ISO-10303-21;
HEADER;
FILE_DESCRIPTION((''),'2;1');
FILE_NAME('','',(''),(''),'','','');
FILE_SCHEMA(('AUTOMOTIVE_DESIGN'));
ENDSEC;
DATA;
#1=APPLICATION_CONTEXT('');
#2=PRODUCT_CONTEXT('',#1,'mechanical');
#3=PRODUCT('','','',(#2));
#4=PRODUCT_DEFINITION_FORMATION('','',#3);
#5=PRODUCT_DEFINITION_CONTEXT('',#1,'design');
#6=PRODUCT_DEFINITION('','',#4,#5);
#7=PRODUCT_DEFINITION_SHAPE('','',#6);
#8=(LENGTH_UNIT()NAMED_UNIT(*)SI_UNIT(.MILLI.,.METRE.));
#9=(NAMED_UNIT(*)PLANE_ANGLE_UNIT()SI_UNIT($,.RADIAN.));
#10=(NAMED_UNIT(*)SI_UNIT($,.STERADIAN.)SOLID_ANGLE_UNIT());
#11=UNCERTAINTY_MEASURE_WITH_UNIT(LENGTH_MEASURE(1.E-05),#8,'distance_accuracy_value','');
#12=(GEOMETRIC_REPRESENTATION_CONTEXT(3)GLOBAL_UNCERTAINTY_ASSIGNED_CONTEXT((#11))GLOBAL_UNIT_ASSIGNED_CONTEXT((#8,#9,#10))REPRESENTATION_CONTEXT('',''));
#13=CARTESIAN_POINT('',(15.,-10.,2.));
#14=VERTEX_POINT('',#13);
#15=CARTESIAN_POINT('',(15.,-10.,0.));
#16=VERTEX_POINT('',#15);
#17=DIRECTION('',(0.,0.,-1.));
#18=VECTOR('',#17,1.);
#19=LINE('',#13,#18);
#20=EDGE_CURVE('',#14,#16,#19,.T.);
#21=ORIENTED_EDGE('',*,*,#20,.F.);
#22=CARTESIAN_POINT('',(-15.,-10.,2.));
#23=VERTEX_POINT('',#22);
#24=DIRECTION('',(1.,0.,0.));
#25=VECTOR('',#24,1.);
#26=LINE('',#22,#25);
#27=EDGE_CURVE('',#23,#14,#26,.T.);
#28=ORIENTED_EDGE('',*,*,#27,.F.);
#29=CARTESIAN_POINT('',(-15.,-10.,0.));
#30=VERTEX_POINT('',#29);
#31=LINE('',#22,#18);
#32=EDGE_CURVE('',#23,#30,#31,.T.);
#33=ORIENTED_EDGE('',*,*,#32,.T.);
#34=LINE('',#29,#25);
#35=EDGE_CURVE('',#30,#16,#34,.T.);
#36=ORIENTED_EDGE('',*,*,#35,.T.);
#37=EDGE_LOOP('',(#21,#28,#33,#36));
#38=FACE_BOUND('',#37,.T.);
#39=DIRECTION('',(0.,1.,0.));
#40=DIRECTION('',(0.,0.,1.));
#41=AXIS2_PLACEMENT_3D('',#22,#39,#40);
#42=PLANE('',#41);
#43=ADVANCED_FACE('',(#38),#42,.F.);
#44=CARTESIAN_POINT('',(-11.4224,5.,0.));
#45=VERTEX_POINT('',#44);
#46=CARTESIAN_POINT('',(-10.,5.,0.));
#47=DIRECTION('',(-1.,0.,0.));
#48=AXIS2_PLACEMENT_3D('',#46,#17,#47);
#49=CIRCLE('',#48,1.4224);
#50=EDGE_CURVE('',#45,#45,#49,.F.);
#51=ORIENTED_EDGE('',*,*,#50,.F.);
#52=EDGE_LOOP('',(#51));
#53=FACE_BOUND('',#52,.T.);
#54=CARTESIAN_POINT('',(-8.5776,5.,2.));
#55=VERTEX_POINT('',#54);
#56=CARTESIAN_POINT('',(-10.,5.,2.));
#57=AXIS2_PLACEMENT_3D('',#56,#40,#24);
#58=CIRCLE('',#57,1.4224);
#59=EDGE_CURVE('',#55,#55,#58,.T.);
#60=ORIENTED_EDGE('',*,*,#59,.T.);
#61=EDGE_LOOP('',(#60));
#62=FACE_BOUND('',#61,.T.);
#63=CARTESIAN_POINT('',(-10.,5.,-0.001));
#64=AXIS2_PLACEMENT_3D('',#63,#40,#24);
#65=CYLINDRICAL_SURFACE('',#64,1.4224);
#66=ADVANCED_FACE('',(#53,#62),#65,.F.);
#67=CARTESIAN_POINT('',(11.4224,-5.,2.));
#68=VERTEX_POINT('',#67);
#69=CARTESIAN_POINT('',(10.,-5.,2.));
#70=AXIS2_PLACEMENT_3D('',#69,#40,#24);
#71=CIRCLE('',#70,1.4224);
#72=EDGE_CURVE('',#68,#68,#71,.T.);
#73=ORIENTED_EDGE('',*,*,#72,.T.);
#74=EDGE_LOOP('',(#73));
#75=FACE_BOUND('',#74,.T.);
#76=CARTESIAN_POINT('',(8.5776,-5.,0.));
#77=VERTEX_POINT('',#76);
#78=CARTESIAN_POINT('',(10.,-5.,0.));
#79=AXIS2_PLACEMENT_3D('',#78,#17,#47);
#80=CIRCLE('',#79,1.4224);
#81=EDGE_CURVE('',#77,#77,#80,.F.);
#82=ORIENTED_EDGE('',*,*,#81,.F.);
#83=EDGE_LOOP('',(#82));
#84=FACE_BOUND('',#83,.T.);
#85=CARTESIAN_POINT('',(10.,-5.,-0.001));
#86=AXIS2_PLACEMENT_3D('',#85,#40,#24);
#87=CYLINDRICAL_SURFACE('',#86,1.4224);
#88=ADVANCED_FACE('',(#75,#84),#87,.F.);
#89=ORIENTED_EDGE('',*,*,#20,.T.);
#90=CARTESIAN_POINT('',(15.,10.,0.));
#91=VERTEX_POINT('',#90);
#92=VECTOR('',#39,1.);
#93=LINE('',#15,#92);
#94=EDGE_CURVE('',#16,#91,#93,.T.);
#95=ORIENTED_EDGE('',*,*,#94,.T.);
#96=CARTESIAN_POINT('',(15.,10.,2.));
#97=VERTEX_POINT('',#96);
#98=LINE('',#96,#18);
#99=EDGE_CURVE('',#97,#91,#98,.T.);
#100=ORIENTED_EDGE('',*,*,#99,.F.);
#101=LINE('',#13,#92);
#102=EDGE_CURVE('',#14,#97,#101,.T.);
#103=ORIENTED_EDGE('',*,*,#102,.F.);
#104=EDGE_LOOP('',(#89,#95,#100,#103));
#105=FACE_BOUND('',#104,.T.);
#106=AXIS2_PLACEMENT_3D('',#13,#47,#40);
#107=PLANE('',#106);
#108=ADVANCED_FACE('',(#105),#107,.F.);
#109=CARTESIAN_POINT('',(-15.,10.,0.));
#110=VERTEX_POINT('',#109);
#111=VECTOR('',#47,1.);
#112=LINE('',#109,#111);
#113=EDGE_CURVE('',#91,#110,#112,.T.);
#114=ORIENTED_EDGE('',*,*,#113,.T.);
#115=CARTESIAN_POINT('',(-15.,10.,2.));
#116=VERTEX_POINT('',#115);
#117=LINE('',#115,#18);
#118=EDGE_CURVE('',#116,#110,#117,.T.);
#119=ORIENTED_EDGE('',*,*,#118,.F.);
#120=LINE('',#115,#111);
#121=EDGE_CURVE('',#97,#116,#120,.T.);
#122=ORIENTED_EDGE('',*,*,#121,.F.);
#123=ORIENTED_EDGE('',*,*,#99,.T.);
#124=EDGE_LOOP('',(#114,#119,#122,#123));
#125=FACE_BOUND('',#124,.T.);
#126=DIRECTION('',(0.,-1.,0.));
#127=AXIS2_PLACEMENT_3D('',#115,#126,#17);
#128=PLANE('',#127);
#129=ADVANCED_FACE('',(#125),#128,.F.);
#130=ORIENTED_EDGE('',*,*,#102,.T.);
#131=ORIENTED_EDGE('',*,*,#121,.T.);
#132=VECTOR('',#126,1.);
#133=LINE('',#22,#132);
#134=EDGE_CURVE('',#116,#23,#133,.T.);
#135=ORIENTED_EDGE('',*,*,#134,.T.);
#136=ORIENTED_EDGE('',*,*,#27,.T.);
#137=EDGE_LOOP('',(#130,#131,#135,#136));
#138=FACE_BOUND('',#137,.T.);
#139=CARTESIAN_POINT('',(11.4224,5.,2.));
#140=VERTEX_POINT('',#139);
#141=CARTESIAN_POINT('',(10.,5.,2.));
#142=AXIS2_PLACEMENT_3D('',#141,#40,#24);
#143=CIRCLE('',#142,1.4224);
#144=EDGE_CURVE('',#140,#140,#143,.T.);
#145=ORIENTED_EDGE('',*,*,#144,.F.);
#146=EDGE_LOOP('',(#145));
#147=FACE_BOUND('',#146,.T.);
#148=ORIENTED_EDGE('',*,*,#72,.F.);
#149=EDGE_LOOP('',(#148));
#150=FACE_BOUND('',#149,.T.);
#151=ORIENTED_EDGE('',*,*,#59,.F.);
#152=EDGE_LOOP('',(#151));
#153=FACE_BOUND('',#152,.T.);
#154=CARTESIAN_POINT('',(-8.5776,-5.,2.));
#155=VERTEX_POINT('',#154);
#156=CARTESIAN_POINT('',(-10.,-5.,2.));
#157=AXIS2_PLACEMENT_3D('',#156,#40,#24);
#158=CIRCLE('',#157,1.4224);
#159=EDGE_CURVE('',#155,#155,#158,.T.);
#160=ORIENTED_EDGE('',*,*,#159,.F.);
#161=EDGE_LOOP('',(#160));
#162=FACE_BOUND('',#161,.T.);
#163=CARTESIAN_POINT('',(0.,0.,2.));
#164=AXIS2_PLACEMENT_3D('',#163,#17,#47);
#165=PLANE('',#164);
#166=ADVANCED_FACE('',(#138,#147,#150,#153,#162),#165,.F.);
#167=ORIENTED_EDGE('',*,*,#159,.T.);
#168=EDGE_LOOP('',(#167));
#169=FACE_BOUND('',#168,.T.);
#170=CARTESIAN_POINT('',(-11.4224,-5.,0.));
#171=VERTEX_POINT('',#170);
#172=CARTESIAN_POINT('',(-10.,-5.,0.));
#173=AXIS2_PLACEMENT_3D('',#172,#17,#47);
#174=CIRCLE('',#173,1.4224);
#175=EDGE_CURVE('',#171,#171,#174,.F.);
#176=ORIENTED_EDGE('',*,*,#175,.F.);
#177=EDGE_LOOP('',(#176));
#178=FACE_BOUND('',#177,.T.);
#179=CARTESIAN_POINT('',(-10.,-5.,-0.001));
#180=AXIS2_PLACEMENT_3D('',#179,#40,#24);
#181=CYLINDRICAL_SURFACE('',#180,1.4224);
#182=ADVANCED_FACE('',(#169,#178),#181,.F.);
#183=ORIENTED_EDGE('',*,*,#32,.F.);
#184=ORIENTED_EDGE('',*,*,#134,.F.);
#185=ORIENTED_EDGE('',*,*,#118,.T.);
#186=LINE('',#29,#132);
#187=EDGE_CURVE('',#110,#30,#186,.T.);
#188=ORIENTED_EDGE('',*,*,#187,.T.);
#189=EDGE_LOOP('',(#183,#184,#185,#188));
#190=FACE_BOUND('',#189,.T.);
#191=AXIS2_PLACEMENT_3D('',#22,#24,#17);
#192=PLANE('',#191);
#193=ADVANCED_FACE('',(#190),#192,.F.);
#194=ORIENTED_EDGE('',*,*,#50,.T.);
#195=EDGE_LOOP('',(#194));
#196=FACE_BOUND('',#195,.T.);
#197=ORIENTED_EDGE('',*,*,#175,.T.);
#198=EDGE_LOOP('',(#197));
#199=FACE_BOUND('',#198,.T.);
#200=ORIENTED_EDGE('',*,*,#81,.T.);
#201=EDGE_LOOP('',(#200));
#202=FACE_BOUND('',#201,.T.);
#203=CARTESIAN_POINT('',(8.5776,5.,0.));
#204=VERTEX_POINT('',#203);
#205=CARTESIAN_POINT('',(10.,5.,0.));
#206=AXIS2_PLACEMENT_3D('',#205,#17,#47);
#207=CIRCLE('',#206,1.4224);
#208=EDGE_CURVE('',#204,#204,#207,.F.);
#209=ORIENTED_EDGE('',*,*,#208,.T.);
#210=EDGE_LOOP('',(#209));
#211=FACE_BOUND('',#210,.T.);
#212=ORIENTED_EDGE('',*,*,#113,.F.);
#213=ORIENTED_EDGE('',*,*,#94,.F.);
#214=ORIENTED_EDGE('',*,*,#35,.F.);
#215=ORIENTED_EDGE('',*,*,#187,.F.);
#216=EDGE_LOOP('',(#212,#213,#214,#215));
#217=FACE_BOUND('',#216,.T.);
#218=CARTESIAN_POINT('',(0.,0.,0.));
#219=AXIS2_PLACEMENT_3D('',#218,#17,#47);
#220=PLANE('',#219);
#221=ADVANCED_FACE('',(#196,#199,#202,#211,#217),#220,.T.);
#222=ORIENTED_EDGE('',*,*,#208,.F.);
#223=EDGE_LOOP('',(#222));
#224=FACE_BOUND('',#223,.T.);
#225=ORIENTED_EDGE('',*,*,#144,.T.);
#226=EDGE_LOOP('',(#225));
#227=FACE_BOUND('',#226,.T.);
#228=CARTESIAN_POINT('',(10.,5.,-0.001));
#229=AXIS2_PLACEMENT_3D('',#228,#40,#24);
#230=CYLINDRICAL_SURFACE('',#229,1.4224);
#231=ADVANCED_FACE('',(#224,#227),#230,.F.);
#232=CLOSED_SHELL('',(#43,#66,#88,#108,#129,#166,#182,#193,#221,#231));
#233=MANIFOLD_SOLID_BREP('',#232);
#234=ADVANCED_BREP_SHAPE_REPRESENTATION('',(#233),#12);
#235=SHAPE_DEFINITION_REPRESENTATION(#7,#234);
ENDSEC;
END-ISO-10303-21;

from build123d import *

# Parameters (mm, degrees)
SKETCH1_W           = 30
SKETCH1_H           = 20
BOSS_EXTRUDE1_DEPTH = 2
CUT_EXTRUDE1_REACH  = 20.138
SKETCH2_R           = 1.4224


with BuildPart() as part:
    # Sketch1 → Boss-Extrude1 (new body)
    with BuildSketch(Plane.XY):
        Rectangle(SKETCH1_W, SKETCH1_H)
    extrude(amount=BOSS_EXTRUDE1_DEPTH)

    # Sketch2 → Cut-Extrude1 (cut, up to next)
    with BuildSketch(Plane.XY.offset(2), mode=Mode.PRIVATE) as cut_extrude1_sk1:
        with Locations((10, 5)):
            Circle(SKETCH2_R)
    cut_extrude1_tool1 = extrude(cut_extrude1_sk1.sketch, amount=-CUT_EXTRUDE1_REACH, mode=Mode.PRIVATE) & part.part
    # Sketch2 → Cut-Extrude1 (cut, up to next)
    with BuildSketch(Plane.XY.offset(2), mode=Mode.PRIVATE) as cut_extrude1_sk2:
        with Locations((-10, 5)):
            Circle(SKETCH2_R)
    cut_extrude1_tool2 = extrude(cut_extrude1_sk2.sketch, amount=-CUT_EXTRUDE1_REACH, mode=Mode.PRIVATE) & part.part
    # Sketch2 → Cut-Extrude1 (cut, up to next)
    with BuildSketch(Plane.XY.offset(2), mode=Mode.PRIVATE) as cut_extrude1_sk3:
        with Locations((-10, -5)):
            Circle(SKETCH2_R)
    cut_extrude1_tool3 = extrude(cut_extrude1_sk3.sketch, amount=-CUT_EXTRUDE1_REACH, mode=Mode.PRIVATE) & part.part
    # Sketch2 → Cut-Extrude1 (cut, up to next)
    with BuildSketch(Plane.XY.offset(2), mode=Mode.PRIVATE) as cut_extrude1_sk4:
        with Locations((10, -5)):
            Circle(SKETCH2_R)
    cut_extrude1_tool4 = extrude(cut_extrude1_sk4.sketch, amount=-CUT_EXTRUDE1_REACH, mode=Mode.PRIVATE) & part.part
    add(cut_extrude1_tool1.solids().sort_by_distance((10, 5, 2))[0], mode=Mode.SUBTRACT)
    add(cut_extrude1_tool2.solids().sort_by_distance((-10, 5, 2))[0], mode=Mode.SUBTRACT)
    add(cut_extrude1_tool3.solids().sort_by_distance((-10, -5, 2))[0], mode=Mode.SUBTRACT)
    add(cut_extrude1_tool4.solids().sort_by_distance((10, -5, 2))[0], mode=Mode.SUBTRACT)


solid = part.part
